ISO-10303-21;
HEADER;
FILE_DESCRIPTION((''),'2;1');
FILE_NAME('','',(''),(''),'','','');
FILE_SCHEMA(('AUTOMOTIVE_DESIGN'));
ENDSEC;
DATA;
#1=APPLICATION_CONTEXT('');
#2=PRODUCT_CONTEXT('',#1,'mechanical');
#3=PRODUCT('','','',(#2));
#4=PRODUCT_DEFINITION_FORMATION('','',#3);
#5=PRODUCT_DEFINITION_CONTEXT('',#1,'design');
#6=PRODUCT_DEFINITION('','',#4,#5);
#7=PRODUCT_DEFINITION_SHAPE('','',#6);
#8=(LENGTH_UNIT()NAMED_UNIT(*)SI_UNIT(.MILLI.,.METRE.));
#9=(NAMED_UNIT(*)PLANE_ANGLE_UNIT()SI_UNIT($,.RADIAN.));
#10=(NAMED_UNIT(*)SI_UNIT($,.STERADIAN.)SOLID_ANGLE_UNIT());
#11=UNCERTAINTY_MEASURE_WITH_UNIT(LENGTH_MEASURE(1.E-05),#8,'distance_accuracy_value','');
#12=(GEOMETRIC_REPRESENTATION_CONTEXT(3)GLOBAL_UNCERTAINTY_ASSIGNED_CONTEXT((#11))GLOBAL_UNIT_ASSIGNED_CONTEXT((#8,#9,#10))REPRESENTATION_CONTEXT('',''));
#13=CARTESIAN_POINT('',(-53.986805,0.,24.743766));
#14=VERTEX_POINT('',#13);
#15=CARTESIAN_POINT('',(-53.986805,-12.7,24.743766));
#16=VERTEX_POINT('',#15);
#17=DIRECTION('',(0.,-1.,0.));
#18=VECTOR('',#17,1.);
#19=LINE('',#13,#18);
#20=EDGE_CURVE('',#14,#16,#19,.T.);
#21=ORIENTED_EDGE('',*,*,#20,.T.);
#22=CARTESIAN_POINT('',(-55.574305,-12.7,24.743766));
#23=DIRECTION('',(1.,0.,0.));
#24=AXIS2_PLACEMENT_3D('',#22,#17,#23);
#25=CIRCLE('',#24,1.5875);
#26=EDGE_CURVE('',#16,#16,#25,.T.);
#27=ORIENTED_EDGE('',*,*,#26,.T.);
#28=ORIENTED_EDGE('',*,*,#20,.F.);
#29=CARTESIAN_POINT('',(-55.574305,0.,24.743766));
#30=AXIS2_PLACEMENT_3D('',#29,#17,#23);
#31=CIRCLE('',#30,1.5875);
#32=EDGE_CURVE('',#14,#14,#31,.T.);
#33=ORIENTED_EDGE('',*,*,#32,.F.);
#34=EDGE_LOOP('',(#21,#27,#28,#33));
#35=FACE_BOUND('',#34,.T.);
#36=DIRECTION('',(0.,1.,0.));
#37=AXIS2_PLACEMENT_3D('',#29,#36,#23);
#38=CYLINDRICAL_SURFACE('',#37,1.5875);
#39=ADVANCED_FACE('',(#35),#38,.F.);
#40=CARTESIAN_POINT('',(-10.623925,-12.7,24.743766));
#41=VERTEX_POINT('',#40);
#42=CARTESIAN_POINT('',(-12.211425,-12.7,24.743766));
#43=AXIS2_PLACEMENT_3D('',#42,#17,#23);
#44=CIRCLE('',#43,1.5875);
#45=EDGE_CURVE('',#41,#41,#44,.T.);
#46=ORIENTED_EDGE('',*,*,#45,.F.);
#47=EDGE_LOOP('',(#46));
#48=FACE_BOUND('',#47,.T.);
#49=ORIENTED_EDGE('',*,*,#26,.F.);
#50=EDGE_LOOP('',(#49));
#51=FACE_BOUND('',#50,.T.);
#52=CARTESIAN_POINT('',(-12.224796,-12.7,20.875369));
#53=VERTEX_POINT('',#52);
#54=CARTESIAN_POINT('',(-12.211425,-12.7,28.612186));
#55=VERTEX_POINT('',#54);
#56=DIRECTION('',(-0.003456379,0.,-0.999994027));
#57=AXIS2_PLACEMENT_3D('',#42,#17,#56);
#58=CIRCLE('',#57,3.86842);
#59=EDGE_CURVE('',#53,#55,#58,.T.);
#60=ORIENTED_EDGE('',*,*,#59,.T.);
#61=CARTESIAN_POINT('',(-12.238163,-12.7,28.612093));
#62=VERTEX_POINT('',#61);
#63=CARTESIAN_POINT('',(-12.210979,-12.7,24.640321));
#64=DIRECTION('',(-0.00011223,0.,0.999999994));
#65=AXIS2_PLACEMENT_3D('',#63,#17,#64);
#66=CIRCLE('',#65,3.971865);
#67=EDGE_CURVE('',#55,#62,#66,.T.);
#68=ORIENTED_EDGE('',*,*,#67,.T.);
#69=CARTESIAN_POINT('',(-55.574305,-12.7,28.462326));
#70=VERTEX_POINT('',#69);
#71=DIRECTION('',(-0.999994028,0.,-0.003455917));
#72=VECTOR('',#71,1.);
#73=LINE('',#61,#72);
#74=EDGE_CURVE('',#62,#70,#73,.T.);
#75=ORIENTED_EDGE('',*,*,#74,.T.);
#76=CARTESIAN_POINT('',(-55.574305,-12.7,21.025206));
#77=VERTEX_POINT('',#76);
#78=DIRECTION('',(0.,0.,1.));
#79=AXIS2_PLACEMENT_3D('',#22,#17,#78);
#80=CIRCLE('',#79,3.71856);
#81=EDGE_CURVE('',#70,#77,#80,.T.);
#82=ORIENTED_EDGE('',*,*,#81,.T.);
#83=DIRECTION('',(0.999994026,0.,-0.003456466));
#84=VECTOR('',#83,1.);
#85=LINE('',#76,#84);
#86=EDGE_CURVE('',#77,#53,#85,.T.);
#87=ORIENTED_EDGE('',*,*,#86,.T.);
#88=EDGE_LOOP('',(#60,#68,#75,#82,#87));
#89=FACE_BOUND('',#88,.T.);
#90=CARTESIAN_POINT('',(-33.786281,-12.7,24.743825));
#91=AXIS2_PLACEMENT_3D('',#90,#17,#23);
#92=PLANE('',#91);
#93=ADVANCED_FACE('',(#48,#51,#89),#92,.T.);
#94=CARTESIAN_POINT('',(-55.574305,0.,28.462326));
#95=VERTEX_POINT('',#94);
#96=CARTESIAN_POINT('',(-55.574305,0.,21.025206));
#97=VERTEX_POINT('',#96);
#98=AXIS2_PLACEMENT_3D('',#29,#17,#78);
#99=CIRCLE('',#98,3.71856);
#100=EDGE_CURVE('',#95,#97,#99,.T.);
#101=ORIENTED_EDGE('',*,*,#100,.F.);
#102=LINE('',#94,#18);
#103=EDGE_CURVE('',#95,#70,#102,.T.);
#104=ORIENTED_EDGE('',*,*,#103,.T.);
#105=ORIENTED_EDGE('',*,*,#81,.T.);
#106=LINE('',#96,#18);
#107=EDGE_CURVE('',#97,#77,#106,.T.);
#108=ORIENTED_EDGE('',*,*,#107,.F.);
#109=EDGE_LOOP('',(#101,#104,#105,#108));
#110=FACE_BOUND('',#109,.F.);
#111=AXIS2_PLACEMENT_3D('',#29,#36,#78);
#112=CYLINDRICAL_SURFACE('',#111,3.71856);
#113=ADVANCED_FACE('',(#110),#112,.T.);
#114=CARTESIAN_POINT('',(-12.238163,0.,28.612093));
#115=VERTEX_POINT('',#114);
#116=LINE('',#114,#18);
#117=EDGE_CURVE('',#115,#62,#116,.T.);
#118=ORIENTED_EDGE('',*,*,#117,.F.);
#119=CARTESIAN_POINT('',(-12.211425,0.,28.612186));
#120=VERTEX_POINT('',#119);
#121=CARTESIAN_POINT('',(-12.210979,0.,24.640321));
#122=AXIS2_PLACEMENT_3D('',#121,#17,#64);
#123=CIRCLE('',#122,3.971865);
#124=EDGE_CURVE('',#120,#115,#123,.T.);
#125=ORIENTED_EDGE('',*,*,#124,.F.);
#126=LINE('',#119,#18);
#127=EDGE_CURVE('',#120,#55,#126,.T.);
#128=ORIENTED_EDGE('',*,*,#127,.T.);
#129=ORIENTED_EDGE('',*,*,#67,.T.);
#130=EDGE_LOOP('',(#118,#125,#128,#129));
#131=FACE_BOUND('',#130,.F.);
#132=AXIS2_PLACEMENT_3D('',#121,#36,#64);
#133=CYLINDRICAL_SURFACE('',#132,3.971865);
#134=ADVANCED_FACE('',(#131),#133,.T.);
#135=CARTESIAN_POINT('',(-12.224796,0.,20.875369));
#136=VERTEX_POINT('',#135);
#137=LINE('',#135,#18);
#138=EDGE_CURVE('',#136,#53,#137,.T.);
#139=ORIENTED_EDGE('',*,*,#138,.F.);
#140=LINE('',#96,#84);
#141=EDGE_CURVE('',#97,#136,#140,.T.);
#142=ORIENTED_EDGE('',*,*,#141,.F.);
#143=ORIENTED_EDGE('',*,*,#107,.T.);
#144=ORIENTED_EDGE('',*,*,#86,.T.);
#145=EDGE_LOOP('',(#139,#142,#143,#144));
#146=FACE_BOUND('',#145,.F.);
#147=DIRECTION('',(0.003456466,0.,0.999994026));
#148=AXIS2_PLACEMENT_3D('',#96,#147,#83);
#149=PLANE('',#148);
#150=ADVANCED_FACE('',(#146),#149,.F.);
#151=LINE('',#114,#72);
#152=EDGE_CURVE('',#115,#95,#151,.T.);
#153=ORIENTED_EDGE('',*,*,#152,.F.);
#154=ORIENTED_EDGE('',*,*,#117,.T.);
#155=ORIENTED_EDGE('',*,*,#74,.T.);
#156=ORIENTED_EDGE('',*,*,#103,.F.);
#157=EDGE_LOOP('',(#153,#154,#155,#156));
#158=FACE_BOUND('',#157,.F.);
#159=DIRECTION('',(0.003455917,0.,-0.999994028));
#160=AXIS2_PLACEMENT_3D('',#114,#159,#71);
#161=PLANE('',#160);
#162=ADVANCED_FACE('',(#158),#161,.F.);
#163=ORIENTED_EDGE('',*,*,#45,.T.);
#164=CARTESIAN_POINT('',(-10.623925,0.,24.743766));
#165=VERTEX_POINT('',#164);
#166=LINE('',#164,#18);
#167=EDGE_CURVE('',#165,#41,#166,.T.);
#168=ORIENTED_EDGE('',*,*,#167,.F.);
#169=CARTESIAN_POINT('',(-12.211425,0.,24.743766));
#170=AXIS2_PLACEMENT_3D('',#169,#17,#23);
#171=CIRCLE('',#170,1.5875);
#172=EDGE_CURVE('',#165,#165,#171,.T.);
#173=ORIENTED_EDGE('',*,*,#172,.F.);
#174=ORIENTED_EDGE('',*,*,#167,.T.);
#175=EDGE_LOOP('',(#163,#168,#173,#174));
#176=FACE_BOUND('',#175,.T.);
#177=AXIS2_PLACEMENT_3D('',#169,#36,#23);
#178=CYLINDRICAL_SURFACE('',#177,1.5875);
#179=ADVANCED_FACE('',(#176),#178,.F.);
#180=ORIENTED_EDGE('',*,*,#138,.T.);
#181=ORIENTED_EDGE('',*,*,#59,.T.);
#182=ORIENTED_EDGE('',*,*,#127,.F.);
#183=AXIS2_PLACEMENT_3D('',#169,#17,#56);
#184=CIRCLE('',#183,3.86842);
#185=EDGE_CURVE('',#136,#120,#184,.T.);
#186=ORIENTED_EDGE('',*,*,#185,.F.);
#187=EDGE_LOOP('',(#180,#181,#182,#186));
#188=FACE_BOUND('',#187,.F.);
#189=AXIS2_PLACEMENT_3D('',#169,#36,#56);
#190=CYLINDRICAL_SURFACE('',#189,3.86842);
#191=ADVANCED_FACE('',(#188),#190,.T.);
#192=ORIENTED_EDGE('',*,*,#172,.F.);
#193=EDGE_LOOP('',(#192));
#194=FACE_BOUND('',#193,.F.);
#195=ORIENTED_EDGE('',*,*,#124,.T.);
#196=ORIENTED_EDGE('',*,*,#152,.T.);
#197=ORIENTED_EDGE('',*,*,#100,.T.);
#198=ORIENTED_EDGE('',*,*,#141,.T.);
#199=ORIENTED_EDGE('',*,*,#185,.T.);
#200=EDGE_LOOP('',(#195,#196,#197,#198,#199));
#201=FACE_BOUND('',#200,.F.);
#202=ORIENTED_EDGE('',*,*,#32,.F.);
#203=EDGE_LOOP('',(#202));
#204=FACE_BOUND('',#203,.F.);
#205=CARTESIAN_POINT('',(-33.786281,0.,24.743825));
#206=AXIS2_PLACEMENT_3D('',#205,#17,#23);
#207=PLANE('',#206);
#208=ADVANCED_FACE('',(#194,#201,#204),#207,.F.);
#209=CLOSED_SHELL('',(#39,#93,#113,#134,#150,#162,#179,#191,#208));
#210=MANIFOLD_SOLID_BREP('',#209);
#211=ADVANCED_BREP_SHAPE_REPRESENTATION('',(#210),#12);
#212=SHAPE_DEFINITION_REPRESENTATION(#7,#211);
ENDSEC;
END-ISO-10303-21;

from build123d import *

# Parameters (mm, degrees)
F0_R     = 1.5875
F1_DEPTH = 12.7


with BuildPart() as f1:
    # F0 (on Front) → F1 (new body)
    with BuildSketch(Plane.XZ):
        with BuildLine():
            Line((-12.238163, 28.612093), (-55.574305, 28.462326))
            ThreePointArc((-55.574305, 28.462326), (-59.292865, 24.743766), (-55.574305, 21.025206))
            Line((-55.574305, 21.025206), (-12.224796, 20.875369))
            ThreePointArc((-12.224796, 20.875369), (-8.343011, 24.73708), (-12.211425, 28.612186))
            ThreePointArc((-12.211425, 28.612186), (-12.224794, 28.612162), (-12.238163, 28.612093))
        make_face()
        with Locations((-55.574305, 24.743766)):
            Circle(F0_R, mode=Mode.SUBTRACT)
        with Locations((-12.211425, 24.743766)):
            Circle(F0_R, mode=Mode.SUBTRACT)
    extrude(amount=F1_DEPTH)


solid = f1.part
